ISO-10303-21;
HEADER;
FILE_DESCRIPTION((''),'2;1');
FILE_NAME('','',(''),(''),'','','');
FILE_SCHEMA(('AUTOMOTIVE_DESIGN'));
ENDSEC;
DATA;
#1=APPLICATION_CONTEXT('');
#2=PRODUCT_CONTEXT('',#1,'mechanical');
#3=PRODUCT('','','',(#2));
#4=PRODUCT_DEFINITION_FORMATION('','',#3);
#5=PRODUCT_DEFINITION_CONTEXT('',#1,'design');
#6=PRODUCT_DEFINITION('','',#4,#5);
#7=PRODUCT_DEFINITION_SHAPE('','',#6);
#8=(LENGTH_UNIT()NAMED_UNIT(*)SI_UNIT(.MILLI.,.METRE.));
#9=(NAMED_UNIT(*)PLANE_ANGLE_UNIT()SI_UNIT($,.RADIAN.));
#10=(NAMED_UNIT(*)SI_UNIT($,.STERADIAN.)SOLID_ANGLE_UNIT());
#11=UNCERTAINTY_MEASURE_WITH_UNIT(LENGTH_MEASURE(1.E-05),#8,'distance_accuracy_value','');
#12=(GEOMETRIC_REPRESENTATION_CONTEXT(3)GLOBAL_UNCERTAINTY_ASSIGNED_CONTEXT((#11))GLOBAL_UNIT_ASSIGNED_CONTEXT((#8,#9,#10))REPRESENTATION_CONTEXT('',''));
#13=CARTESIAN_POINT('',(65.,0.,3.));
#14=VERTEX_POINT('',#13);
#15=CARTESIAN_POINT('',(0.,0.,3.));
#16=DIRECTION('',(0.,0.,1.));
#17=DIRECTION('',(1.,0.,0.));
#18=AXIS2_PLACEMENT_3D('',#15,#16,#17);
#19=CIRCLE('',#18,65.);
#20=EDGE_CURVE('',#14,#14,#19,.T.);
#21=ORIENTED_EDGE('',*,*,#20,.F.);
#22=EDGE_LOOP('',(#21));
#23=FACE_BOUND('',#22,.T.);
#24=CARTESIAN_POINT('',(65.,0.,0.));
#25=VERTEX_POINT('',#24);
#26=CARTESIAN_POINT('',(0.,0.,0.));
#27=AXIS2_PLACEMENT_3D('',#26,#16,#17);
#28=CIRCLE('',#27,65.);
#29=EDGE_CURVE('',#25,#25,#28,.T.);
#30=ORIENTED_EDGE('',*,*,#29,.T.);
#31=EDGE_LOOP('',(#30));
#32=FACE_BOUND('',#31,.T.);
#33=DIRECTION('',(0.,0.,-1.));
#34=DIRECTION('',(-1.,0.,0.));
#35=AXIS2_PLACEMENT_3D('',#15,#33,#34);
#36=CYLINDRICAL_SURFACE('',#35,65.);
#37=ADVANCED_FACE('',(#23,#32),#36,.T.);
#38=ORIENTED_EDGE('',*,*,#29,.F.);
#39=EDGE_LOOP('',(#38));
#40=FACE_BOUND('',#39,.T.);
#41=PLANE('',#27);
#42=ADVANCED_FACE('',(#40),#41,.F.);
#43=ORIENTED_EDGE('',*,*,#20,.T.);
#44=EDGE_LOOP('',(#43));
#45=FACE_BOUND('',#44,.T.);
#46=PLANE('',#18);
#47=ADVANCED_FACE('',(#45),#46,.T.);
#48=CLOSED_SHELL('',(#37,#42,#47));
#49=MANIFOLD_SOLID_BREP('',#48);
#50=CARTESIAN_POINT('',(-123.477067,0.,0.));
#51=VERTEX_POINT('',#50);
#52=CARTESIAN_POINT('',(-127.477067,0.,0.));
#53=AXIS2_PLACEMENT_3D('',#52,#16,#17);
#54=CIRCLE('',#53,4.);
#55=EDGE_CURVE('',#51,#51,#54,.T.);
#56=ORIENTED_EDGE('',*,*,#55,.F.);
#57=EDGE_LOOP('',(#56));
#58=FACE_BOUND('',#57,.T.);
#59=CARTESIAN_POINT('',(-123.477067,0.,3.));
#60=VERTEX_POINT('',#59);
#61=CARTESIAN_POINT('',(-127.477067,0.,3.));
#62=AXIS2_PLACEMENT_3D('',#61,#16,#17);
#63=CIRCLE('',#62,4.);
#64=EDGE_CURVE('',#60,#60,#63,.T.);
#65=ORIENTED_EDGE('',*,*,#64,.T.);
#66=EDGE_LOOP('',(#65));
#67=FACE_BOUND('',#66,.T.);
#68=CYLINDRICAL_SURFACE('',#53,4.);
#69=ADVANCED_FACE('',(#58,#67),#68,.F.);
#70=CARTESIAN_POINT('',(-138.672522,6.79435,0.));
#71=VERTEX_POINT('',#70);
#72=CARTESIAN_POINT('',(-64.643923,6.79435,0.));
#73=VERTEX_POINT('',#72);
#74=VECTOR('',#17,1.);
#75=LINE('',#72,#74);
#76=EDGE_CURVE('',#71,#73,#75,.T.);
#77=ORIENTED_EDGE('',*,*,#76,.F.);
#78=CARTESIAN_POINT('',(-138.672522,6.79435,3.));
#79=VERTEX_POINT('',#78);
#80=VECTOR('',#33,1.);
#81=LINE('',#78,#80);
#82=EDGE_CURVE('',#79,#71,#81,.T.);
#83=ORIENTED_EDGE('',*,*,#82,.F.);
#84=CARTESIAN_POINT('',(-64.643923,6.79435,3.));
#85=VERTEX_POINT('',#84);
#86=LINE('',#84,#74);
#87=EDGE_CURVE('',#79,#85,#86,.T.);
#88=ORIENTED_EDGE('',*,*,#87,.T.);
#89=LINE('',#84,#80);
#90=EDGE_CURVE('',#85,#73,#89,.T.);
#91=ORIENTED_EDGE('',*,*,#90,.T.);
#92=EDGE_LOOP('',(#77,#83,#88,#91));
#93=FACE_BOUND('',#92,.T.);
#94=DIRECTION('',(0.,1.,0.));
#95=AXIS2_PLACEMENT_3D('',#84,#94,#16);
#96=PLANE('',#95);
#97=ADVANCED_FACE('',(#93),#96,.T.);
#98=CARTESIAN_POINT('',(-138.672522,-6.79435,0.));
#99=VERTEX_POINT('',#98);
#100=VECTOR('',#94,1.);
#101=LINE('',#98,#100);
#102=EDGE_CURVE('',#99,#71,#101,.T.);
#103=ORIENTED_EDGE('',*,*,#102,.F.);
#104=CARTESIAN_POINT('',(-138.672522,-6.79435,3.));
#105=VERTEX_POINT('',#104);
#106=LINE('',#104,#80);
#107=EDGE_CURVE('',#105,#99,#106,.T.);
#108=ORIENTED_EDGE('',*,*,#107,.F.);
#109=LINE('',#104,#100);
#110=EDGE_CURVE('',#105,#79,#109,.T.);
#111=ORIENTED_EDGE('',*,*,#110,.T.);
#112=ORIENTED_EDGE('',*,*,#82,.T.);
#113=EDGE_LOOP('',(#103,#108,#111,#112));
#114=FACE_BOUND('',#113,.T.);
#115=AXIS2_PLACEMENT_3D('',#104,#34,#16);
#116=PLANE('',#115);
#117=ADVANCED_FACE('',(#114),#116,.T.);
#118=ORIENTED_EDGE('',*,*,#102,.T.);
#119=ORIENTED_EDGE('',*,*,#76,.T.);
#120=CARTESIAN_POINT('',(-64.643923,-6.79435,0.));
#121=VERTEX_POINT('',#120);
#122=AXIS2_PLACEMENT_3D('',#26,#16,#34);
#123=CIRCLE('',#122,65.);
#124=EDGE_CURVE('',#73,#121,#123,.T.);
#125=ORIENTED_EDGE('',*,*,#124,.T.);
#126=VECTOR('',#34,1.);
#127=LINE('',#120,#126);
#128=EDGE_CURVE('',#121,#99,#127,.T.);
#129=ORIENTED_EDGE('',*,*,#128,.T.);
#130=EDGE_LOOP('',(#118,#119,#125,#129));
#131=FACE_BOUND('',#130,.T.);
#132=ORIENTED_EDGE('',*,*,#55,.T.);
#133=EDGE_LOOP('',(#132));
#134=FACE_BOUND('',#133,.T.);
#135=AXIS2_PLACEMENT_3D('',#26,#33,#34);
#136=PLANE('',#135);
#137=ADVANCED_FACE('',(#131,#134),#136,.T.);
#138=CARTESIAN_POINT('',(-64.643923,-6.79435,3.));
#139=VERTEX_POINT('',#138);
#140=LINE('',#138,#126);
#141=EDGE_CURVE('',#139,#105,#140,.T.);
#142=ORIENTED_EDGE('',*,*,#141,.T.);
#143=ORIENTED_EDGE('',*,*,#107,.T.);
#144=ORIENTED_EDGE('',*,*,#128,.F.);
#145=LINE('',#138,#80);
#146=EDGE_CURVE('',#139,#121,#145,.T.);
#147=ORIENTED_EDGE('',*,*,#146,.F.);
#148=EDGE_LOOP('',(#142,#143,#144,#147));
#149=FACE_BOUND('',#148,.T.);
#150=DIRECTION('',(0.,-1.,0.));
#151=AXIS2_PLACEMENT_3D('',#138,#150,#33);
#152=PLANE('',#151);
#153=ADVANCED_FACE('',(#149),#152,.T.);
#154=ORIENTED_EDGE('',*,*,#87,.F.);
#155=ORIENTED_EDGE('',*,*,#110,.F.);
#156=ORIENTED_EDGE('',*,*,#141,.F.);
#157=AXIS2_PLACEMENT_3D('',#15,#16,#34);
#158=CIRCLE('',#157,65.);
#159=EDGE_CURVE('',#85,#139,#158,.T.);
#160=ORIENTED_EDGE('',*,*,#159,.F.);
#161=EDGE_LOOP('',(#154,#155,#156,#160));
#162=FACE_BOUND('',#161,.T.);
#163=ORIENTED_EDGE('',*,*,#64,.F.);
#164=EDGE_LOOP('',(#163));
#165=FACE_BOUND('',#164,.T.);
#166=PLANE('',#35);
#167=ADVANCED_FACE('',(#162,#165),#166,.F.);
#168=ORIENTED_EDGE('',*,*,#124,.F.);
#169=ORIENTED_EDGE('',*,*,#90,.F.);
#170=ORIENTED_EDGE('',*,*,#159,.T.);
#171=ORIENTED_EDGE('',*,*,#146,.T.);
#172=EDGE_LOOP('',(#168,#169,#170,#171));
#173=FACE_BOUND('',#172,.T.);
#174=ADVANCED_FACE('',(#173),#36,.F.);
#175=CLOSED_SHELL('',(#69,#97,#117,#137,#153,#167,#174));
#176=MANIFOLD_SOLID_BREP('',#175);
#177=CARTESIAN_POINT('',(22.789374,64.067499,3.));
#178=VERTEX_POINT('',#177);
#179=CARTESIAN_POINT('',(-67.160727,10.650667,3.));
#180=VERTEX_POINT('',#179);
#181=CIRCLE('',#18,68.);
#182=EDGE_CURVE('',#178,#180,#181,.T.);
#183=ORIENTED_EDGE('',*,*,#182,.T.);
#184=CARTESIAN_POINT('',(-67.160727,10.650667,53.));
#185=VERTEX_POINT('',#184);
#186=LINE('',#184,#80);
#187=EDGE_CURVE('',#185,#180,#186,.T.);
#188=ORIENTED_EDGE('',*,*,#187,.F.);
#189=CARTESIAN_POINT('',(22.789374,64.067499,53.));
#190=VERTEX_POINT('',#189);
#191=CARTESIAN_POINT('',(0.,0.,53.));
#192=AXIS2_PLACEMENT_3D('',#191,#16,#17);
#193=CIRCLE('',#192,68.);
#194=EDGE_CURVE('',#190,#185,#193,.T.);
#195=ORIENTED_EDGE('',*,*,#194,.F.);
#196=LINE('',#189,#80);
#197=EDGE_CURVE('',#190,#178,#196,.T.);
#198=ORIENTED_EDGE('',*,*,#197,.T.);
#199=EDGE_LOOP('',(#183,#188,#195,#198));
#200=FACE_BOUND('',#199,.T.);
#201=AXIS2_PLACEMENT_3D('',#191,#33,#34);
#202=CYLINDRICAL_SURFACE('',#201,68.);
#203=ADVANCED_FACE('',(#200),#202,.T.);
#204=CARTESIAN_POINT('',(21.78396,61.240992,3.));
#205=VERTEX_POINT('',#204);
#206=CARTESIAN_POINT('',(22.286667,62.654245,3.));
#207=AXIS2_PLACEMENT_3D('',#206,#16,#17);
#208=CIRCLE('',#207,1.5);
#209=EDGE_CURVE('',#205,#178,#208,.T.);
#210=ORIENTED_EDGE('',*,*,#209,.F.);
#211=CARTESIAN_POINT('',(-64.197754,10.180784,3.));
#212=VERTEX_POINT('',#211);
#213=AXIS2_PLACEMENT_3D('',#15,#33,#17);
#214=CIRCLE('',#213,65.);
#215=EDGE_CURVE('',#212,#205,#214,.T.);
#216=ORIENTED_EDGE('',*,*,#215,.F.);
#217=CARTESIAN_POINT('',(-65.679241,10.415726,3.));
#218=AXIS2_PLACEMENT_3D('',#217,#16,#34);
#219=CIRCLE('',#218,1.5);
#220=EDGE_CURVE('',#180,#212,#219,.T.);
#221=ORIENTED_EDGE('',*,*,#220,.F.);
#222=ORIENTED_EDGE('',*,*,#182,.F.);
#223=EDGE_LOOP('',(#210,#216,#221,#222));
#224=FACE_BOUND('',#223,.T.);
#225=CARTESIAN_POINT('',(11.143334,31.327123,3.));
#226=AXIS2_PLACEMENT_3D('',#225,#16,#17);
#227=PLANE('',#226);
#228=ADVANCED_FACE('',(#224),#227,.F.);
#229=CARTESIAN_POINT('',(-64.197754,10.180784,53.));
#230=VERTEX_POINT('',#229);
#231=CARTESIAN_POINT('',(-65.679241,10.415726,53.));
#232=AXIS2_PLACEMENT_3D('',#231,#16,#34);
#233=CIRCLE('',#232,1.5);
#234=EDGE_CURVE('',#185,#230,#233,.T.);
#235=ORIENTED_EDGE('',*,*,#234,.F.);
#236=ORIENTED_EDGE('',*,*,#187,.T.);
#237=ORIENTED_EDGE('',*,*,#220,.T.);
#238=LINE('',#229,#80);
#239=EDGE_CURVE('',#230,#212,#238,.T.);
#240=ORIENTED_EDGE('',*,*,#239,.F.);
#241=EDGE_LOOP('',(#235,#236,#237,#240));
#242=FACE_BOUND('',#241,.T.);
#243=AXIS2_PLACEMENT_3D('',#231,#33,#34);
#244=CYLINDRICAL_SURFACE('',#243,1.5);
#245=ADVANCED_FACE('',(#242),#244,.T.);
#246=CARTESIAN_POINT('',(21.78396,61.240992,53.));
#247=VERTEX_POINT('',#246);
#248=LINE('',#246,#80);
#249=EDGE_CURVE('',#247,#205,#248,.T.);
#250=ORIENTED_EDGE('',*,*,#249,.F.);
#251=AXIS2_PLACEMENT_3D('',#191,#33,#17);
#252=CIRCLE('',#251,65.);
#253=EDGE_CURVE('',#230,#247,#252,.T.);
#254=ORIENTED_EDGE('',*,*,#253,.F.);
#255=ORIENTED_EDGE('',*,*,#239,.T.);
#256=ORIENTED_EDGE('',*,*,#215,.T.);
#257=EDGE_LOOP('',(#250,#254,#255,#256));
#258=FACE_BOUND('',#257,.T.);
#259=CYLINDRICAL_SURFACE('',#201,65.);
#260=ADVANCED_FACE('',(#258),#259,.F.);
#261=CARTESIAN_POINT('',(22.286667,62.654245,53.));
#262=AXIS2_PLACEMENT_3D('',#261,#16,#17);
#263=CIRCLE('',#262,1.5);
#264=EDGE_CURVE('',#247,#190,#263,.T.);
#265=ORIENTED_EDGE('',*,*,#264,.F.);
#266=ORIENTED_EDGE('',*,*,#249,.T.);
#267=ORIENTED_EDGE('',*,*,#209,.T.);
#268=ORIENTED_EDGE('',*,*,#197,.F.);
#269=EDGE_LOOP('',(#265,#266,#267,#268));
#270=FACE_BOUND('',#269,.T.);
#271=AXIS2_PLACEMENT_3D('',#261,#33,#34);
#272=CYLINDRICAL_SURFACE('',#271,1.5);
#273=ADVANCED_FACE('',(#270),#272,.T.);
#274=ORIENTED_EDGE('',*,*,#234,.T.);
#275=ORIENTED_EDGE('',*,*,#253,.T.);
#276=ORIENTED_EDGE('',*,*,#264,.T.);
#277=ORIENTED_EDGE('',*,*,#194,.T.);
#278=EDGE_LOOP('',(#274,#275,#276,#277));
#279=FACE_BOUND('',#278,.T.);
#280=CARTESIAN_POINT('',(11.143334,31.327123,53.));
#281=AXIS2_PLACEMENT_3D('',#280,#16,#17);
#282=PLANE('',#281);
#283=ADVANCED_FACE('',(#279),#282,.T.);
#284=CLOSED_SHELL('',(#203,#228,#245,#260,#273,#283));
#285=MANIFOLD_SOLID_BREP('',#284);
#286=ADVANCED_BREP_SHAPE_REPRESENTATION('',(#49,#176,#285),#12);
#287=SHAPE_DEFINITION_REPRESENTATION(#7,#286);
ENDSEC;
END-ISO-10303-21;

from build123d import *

# Parameters (mm, degrees)
ESQUISSE1_R             = 65
BOSS_EXTRU_1_DEPTH      = 3
BOSS_EXTRU_3_DEPTH      = 3
ESQUISSE4_R             = 4
ENL_V_MAT_EXTRU_1_DEPTH = 3
BOSS_EXTRU_4_DEPTH      = 50


with BuildPart() as part:
    # Esquisse1 → Boss.-Extru.1 (new body)
    with BuildSketch(Plane.XY):
        Circle(ESQUISSE1_R)
    extrude(amount=BOSS_EXTRU_1_DEPTH)


with BuildPart() as body_2:
    # Esquisse3 → Boss.-Extru.3 (new body)
    with BuildSketch(Plane(origin=(0, 0, 0), x_dir=(-1, 0, 0), z_dir=(0, 0, -1))):
        with BuildLine():
            Line((64.643923199, 6.794350112), (138.672522355, 6.794350112))
            Line((138.672522355, 6.794350112), (138.672522355, -6.794350112))
            Line((138.672522355, -6.794350112), (64.643923199, -6.794350112))
            ThreePointArc((64.643923199, -6.794350112), (65, 0), (64.643923199, 6.794350112))
        make_face()
    extrude(amount=-BOSS_EXTRU_3_DEPTH)

    # Esquisse4 → Enlèv. mat.-Extru.1 (cut)
    with BuildSketch(Plane.XY.offset(3)):
        with Locations((-127.477067306, 0)):
            Circle(ESQUISSE4_R)
    extrude(amount=-ENL_V_MAT_EXTRU_1_DEPTH, mode=Mode.SUBTRACT)


with BuildPart() as body_3:
    # Esquisse5 → Boss.-Extru.4 (new body)
    with BuildSketch(Plane.XY.offset(3)):
        with BuildLine():
            ThreePointArc((21.78396045, 61.240991722), (-33.189134732, 55.888114441), (-64.197754074, 10.180784442))
            ThreePointArc((-64.197754074, 10.180784442), (-65.914181886, 8.934238989), (-67.160727339, 10.650666801))
            ThreePointArc((-67.160727339, 10.650666801), (-34.72094095, 58.467565876), (22.789374009, 64.067499032))
            ThreePointArc((22.789374009, 64.067499032), (23.699920885, 62.151538598), (21.78396045, 61.240991722))
        make_face()
    extrude(amount=BOSS_EXTRU_4_DEPTH)


solid = Compound([part.part, body_2.part, body_3.part])
